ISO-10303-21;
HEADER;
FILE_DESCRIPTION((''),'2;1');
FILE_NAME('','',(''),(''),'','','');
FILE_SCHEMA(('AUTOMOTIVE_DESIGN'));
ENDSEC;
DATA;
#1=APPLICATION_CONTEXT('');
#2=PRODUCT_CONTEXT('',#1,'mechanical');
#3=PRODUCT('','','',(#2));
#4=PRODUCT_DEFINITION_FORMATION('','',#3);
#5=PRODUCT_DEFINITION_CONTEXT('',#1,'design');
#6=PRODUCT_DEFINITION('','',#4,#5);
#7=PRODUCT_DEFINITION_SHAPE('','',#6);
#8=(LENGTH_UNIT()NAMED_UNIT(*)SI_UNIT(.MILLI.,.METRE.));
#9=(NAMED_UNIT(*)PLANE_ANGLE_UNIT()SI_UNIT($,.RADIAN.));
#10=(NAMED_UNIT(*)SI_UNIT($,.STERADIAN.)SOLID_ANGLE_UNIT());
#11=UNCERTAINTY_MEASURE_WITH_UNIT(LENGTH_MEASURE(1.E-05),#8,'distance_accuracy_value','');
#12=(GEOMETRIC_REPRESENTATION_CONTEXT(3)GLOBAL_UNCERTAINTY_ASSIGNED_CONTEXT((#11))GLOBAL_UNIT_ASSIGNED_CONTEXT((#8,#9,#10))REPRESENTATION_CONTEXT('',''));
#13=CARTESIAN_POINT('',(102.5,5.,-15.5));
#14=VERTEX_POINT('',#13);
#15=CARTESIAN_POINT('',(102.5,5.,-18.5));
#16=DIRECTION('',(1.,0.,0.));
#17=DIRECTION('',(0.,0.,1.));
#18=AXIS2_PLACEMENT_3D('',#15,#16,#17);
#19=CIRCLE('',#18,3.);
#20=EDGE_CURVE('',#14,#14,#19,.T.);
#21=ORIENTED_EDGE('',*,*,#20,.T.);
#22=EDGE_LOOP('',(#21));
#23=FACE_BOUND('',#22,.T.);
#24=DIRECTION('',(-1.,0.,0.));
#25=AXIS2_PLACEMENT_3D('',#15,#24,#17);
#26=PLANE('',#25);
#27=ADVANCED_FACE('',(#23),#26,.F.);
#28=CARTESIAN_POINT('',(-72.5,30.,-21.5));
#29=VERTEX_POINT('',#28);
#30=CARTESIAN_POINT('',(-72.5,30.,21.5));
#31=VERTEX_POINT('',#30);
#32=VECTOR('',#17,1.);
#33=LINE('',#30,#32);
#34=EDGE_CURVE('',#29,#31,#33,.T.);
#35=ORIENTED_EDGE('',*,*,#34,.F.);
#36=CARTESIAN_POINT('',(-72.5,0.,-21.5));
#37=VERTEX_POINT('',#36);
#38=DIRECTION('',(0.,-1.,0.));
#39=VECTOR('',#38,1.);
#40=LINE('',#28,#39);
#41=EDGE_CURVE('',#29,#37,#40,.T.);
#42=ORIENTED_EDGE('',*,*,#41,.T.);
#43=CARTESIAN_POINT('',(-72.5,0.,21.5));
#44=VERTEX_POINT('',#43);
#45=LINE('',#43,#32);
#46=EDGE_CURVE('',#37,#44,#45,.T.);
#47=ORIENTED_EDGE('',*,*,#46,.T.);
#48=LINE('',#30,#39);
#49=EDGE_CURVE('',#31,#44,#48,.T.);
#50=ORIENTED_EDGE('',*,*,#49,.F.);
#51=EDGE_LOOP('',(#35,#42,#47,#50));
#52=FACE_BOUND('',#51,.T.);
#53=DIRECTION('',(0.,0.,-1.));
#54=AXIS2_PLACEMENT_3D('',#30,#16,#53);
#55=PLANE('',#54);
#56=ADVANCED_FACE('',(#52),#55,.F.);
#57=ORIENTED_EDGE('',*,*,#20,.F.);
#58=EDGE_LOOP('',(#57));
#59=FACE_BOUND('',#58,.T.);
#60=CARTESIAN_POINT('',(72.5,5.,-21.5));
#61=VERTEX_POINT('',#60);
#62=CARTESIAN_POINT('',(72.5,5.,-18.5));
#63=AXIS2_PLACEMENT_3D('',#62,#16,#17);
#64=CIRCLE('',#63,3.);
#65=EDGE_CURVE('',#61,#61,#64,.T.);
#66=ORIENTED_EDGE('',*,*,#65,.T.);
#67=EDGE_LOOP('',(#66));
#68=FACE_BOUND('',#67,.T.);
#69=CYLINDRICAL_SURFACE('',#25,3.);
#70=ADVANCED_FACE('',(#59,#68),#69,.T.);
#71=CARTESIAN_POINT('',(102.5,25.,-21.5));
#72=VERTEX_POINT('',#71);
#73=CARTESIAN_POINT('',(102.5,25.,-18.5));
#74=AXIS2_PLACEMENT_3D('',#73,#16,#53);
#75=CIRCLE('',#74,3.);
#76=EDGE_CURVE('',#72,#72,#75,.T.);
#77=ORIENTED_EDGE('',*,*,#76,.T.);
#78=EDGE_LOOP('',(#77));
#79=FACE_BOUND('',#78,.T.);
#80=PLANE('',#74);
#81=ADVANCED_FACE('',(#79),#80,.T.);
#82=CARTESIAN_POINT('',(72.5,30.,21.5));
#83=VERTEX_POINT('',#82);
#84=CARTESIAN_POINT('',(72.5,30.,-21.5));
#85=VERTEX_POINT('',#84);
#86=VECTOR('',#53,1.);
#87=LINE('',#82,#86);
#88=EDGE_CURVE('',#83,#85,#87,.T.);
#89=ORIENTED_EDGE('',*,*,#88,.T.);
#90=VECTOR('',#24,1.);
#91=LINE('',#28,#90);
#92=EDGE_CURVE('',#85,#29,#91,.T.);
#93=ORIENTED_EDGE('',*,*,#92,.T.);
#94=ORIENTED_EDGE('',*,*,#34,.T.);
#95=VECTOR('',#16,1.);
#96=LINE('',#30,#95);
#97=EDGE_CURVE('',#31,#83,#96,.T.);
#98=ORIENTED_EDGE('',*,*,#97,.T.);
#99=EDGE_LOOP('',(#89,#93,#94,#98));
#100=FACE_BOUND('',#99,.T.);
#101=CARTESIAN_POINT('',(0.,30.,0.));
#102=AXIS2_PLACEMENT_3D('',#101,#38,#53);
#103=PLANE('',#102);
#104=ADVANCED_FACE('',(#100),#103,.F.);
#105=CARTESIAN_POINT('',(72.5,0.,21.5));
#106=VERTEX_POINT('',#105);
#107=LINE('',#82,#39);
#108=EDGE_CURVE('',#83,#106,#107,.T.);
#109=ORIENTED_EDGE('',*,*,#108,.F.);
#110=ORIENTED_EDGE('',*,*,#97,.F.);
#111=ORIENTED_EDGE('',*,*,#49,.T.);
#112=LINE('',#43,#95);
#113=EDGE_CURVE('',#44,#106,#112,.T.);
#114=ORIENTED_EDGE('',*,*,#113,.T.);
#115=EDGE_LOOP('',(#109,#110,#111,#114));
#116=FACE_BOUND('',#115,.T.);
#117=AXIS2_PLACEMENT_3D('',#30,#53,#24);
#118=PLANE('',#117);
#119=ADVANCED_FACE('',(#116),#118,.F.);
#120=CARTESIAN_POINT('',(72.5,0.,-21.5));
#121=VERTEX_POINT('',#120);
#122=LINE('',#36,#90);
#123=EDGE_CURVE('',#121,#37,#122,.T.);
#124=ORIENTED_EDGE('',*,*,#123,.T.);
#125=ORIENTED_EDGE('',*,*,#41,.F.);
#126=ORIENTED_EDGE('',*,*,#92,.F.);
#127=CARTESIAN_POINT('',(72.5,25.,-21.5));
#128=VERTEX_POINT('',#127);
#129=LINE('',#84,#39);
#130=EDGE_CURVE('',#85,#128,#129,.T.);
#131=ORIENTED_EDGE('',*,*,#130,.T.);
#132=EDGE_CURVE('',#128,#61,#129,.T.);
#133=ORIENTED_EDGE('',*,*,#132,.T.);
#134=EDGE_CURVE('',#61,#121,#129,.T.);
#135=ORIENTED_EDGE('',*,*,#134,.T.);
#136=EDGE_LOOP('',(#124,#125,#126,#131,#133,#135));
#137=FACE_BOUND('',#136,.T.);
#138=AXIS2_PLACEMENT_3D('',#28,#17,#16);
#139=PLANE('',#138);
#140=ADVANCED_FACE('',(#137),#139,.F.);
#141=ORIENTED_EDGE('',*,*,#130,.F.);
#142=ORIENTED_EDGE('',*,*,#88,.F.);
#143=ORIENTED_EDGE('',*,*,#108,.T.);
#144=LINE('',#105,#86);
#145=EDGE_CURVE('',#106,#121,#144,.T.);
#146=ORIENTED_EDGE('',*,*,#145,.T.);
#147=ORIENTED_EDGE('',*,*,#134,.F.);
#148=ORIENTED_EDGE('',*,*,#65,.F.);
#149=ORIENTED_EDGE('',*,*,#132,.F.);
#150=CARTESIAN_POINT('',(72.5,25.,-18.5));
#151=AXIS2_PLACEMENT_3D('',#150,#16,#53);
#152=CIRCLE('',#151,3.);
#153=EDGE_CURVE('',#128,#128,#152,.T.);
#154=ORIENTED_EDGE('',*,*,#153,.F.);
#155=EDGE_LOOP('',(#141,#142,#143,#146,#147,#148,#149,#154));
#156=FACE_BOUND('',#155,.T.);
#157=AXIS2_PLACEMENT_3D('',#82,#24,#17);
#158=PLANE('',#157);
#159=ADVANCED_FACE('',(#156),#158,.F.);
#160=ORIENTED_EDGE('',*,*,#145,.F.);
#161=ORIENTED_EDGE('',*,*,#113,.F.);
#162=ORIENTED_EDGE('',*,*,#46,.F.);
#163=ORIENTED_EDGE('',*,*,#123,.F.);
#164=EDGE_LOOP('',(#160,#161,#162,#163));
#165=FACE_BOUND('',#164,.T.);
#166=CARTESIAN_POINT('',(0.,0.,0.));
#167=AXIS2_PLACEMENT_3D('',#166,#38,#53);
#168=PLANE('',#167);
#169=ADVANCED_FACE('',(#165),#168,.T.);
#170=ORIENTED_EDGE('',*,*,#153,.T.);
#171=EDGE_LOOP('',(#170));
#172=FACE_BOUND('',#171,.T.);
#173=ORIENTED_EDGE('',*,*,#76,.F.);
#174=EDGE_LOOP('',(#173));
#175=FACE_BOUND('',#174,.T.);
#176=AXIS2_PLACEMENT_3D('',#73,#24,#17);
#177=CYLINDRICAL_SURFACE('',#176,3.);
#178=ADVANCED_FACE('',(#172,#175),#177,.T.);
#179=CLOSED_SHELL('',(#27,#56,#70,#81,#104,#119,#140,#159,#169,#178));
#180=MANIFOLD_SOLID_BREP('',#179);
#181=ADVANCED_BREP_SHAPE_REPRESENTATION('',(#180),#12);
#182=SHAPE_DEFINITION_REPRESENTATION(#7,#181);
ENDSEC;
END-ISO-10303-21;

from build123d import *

# Parameters (mm, degrees)
SKETCH1_W           = 145
SKETCH1_H           = 43
BOSS_EXTRUDE1_DEPTH = 30
SKETCH2_R           = 3
BOSS_EXTRUDE2_DEPTH = 30


with BuildPart() as part:
    # Sketch1 → Boss-Extrude1 (new body)
    with BuildSketch(Plane(origin=(0, 0, 0), x_dir=(1, 0, 0), z_dir=(0, 1, 0))):
        Rectangle(SKETCH1_W, SKETCH1_H)
    extrude(amount=BOSS_EXTRUDE1_DEPTH)

    # Sketch2 → Boss-Extrude2 (add)
    with BuildSketch(Plane(origin=(72.5, 0, 0), x_dir=(0, 0, -1), z_dir=(1, 0, 0))):
        with Locations((18.5, 25)):
            Circle(SKETCH2_R)
        with Locations((18.5, 5)):
            Circle(SKETCH2_R)
    extrude(amount=BOSS_EXTRUDE2_DEPTH)


solid = part.part
